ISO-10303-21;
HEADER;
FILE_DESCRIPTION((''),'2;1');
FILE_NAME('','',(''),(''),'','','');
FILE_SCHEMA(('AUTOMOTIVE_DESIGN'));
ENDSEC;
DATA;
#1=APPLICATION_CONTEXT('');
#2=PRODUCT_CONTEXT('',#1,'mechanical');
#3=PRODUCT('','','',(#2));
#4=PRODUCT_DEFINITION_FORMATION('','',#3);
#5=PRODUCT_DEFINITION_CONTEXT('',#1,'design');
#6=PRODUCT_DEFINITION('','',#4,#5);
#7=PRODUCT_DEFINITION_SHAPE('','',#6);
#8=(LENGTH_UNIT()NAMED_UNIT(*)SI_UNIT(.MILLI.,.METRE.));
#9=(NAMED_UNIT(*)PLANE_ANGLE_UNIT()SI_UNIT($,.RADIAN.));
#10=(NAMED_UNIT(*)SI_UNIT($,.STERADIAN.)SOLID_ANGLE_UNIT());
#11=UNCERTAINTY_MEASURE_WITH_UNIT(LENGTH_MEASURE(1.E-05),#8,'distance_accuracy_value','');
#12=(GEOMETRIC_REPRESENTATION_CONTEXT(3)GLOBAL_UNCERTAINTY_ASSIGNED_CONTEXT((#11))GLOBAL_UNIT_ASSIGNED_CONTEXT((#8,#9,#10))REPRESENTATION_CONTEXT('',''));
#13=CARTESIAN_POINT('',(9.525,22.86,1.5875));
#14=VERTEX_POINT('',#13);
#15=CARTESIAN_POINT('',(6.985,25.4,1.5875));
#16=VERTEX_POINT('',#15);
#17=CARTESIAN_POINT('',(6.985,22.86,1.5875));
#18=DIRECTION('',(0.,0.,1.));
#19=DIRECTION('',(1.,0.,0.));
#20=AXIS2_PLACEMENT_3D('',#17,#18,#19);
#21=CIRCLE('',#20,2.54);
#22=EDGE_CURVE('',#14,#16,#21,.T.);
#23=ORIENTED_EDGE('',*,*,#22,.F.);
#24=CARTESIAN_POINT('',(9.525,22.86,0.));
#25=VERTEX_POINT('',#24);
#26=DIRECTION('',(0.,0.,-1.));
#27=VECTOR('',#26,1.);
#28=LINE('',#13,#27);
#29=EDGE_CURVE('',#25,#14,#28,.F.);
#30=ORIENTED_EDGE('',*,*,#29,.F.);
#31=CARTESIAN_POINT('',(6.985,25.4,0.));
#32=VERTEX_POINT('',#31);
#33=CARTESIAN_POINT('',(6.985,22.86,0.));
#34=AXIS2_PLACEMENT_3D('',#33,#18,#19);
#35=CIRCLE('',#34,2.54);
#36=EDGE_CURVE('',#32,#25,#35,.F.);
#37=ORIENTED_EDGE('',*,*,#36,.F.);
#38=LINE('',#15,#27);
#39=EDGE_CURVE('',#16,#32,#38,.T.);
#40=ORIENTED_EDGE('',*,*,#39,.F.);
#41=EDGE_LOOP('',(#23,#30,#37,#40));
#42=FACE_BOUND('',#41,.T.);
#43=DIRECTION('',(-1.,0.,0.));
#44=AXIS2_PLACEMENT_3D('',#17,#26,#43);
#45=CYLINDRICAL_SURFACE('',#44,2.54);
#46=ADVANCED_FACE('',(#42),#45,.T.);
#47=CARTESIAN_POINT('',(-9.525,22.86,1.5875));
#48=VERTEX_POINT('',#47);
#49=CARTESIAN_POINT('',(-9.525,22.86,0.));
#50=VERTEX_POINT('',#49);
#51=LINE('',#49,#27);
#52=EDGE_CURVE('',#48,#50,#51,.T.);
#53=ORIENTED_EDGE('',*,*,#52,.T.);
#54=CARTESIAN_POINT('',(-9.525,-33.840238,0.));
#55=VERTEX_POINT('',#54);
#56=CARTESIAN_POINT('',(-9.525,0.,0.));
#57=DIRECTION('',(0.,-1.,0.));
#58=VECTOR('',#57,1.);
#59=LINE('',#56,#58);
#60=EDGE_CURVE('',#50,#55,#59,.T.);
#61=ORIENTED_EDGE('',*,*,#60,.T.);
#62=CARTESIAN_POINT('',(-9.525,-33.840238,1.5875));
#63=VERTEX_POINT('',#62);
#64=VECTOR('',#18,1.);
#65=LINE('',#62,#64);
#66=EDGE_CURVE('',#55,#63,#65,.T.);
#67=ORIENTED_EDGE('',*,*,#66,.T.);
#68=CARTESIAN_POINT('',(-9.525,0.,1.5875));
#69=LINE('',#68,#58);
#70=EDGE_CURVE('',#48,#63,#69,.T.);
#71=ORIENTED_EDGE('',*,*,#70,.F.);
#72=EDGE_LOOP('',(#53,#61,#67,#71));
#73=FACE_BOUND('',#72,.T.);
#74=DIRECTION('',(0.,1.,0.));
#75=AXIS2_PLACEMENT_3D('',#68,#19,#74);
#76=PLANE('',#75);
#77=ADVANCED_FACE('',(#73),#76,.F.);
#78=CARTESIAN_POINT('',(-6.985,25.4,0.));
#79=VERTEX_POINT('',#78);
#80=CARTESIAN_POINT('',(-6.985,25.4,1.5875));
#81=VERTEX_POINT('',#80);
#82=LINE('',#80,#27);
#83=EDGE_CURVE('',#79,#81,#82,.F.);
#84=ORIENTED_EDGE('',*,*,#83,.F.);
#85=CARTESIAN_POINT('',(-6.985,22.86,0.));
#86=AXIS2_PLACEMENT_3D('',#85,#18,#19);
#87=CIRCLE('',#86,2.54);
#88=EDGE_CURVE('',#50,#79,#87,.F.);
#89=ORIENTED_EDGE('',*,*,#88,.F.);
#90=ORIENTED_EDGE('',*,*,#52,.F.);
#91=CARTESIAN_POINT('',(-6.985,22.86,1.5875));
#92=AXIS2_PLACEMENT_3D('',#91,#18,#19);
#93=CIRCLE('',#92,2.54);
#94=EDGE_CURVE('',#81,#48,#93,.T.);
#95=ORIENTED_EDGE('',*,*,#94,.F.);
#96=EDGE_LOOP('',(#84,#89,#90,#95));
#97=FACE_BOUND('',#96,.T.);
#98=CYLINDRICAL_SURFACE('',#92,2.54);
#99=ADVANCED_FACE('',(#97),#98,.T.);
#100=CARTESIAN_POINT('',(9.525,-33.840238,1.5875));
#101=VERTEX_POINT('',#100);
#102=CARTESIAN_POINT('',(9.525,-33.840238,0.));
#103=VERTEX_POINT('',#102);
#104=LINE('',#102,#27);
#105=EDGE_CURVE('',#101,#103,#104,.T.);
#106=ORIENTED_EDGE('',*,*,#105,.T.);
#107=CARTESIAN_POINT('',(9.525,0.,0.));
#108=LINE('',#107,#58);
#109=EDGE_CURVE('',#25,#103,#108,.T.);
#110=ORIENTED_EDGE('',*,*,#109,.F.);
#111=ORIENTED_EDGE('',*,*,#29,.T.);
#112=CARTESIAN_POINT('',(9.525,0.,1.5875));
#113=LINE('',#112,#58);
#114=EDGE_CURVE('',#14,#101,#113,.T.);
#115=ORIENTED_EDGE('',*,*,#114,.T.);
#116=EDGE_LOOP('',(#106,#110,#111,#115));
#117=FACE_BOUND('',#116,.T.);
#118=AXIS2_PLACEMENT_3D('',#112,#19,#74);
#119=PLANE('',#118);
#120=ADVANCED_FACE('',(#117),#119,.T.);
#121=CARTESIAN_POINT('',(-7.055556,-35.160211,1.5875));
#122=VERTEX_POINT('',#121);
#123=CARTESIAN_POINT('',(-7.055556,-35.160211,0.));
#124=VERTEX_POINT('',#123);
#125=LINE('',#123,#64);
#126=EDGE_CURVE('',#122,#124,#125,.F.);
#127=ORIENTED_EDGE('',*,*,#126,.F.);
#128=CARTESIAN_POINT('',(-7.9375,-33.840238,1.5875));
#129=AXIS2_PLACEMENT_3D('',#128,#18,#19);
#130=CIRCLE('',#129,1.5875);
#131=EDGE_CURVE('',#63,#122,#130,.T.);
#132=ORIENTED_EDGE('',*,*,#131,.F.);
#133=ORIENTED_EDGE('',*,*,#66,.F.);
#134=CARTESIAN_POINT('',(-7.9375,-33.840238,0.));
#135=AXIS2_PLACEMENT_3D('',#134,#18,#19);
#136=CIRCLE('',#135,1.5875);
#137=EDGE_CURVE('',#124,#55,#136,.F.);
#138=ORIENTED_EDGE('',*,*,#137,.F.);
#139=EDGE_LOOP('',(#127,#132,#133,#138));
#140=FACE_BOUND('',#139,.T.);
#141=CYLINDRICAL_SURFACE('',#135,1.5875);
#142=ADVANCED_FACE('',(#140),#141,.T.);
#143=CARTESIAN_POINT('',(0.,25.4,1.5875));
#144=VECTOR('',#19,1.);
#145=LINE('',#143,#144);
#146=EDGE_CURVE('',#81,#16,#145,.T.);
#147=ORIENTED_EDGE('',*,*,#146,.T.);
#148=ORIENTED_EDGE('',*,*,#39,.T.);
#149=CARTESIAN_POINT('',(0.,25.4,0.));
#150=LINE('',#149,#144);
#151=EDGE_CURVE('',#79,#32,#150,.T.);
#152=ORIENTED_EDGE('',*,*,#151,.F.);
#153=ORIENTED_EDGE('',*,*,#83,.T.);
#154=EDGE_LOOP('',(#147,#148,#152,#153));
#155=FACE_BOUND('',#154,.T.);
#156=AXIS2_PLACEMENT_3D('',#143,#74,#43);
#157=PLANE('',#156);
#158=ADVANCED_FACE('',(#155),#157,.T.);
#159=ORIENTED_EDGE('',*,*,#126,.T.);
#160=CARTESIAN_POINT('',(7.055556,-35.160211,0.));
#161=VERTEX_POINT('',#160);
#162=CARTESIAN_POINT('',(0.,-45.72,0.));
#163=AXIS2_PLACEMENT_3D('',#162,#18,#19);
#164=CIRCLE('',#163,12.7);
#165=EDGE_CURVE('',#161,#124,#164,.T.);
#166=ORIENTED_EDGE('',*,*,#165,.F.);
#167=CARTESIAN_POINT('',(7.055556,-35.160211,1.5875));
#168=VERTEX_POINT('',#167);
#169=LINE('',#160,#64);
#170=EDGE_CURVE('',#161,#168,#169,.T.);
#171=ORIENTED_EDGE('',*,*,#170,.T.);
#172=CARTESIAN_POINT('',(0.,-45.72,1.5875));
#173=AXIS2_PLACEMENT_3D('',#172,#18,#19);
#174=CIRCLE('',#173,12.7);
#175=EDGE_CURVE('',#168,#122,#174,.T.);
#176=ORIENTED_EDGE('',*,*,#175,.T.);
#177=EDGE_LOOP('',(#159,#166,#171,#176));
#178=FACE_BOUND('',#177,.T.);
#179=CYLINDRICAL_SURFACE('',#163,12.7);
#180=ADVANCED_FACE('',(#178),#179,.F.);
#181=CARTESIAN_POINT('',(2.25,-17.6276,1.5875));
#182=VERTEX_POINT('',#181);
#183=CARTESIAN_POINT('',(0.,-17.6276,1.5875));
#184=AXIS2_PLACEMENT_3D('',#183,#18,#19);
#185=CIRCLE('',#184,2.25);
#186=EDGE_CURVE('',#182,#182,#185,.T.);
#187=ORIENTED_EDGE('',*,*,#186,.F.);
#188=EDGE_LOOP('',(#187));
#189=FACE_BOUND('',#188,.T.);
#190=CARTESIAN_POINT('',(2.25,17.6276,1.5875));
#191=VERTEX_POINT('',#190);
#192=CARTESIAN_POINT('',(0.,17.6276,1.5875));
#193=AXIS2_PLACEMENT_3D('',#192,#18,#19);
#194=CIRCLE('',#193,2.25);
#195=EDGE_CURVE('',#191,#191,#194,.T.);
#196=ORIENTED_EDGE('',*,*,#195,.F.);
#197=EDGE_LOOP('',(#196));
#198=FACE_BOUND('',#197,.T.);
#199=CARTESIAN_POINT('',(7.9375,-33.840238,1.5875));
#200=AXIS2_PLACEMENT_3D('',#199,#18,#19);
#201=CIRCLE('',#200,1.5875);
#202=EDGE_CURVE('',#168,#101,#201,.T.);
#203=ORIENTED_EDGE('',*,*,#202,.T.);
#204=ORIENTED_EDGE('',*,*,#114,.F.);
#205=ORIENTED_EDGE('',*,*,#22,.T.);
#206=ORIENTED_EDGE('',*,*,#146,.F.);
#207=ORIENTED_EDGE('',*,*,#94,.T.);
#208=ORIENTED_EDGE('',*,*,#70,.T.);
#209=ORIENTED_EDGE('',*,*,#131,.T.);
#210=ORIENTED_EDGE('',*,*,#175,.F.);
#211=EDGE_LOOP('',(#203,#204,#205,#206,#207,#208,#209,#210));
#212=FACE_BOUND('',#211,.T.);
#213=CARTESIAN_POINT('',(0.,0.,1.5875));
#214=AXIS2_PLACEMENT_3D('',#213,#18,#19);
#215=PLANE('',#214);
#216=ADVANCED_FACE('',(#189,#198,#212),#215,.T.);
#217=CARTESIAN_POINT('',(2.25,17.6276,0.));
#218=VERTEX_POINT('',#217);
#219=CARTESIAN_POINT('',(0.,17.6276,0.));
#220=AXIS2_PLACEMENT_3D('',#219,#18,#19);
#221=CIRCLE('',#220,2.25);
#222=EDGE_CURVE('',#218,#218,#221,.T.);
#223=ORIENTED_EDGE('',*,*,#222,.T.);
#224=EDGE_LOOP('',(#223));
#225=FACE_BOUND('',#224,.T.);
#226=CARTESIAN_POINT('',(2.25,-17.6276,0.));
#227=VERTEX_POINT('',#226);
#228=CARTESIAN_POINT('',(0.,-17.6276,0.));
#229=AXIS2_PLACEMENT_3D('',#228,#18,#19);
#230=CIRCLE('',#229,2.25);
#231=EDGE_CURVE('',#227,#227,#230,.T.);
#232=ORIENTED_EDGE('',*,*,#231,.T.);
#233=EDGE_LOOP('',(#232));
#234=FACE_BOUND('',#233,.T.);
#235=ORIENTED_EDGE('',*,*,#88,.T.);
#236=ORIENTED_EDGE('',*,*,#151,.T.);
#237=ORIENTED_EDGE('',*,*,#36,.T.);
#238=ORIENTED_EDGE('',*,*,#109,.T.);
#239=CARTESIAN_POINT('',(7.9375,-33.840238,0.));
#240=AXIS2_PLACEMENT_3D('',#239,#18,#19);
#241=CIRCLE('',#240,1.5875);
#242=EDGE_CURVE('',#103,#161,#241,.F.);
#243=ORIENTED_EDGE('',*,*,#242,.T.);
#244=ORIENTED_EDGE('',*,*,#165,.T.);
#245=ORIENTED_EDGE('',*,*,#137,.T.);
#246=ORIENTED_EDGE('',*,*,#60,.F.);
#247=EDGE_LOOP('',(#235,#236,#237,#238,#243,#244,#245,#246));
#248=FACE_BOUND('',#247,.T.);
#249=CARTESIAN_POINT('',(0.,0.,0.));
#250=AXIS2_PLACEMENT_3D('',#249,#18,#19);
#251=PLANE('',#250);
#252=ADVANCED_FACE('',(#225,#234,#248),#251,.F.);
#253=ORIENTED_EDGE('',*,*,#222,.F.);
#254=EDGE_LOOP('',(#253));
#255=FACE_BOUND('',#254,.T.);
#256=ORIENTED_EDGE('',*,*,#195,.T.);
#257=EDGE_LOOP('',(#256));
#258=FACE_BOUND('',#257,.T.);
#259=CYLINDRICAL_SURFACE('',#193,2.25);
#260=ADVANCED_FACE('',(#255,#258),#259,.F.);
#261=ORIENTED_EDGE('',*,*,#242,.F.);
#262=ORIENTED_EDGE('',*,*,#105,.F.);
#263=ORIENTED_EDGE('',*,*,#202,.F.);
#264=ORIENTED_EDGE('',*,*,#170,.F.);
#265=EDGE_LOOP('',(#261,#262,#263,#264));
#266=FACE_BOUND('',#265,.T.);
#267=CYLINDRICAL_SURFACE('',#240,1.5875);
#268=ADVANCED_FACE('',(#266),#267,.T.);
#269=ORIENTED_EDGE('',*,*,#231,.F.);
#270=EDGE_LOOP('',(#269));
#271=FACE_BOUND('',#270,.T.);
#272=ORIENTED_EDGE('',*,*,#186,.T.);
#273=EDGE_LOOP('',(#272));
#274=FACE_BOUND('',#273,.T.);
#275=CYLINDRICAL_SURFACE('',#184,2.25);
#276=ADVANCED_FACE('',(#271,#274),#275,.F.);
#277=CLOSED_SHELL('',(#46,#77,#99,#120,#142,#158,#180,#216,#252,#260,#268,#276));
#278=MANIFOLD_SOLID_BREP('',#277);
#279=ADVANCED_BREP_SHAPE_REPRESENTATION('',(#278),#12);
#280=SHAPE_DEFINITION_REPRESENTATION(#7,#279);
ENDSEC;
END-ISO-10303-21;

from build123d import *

# Parameters (mm, degrees)
SKETCH1_W            = 19.05
SKETCH1_H            = 50.8
BOSS_EXTRUDE1_DEPTH  = 1.5875
M4_CLEARANCE_HOLE1_D = 4.5
SKETCH4_W            = 19.05
SKETCH4_H            = 7.62
BOSS_EXTRUDE2_DEPTH  = 1.5875
FILLET1_R            = 2.54
BOSS_EXTRUDE3_DEPTH  = 1.5875
FILLET2_R            = 1.5875


with BuildPart() as part:
    # Sketch1 → Boss-Extrude1 (new body)
    with BuildSketch(Plane.XY):
        Rectangle(SKETCH1_W, SKETCH1_H)
    extrude(amount=BOSS_EXTRUDE1_DEPTH)

    # M4 Clearance Hole1 (through all)
    with Locations(Plane.XY.offset(1.5875)):
        with Locations((0, 17.6276), (0, -17.6276)):
            Hole(M4_CLEARANCE_HOLE1_D / 2)

    # Sketch4 → Boss-Extrude2 (add)
    with BuildSketch(Plane.XY.offset(1.5875)):
        with Locations((0, -29.21)):
            Rectangle(SKETCH4_W, SKETCH4_H)
    extrude(amount=-BOSS_EXTRUDE2_DEPTH)

    # Fillet1
    fillet1_edges = [part.edges().sort_by_distance(p)[0] for p in [
        (-9.525, 25.4, 0.79375),
        (9.525, 25.4, 0.79375),
    ]]
    fillet(fillet1_edges, radius=FILLET1_R)

    # Sketch5 → Boss-Extrude3 (add)
    with BuildSketch(Plane.XY.offset(1.5875)):
        with BuildLine():
            Line((1.5e-08, -33.02), (-9.525, -33.02))
            Line((-9.525, -33.02), (-9.525, -37.319739587))
            ThreePointArc((-9.525, -37.319739587), (-5.225260406, -34.144739584), (1.5e-08, -33.02))
        make_face()
        with BuildLine():
            Line((9.525, -33.02), (1.5e-08, -33.02))
            ThreePointArc((1.5e-08, -33.02), (5.225260419, -34.14473959), (9.525, -37.319739587))
            Line((9.525, -37.319739587), (9.525, -33.02))
        make_face()
    extrude(amount=-BOSS_EXTRUDE3_DEPTH)

    # Fillet2
    fillet2_edges = [part.edges().sort_by_distance(p)[0] for p in [
        (-9.525, -37.319739587, 0.79375),
        (9.525, -37.319739587, 0.79375),
    ]]
    fillet(fillet2_edges, radius=FILLET2_R)


solid = part.part
